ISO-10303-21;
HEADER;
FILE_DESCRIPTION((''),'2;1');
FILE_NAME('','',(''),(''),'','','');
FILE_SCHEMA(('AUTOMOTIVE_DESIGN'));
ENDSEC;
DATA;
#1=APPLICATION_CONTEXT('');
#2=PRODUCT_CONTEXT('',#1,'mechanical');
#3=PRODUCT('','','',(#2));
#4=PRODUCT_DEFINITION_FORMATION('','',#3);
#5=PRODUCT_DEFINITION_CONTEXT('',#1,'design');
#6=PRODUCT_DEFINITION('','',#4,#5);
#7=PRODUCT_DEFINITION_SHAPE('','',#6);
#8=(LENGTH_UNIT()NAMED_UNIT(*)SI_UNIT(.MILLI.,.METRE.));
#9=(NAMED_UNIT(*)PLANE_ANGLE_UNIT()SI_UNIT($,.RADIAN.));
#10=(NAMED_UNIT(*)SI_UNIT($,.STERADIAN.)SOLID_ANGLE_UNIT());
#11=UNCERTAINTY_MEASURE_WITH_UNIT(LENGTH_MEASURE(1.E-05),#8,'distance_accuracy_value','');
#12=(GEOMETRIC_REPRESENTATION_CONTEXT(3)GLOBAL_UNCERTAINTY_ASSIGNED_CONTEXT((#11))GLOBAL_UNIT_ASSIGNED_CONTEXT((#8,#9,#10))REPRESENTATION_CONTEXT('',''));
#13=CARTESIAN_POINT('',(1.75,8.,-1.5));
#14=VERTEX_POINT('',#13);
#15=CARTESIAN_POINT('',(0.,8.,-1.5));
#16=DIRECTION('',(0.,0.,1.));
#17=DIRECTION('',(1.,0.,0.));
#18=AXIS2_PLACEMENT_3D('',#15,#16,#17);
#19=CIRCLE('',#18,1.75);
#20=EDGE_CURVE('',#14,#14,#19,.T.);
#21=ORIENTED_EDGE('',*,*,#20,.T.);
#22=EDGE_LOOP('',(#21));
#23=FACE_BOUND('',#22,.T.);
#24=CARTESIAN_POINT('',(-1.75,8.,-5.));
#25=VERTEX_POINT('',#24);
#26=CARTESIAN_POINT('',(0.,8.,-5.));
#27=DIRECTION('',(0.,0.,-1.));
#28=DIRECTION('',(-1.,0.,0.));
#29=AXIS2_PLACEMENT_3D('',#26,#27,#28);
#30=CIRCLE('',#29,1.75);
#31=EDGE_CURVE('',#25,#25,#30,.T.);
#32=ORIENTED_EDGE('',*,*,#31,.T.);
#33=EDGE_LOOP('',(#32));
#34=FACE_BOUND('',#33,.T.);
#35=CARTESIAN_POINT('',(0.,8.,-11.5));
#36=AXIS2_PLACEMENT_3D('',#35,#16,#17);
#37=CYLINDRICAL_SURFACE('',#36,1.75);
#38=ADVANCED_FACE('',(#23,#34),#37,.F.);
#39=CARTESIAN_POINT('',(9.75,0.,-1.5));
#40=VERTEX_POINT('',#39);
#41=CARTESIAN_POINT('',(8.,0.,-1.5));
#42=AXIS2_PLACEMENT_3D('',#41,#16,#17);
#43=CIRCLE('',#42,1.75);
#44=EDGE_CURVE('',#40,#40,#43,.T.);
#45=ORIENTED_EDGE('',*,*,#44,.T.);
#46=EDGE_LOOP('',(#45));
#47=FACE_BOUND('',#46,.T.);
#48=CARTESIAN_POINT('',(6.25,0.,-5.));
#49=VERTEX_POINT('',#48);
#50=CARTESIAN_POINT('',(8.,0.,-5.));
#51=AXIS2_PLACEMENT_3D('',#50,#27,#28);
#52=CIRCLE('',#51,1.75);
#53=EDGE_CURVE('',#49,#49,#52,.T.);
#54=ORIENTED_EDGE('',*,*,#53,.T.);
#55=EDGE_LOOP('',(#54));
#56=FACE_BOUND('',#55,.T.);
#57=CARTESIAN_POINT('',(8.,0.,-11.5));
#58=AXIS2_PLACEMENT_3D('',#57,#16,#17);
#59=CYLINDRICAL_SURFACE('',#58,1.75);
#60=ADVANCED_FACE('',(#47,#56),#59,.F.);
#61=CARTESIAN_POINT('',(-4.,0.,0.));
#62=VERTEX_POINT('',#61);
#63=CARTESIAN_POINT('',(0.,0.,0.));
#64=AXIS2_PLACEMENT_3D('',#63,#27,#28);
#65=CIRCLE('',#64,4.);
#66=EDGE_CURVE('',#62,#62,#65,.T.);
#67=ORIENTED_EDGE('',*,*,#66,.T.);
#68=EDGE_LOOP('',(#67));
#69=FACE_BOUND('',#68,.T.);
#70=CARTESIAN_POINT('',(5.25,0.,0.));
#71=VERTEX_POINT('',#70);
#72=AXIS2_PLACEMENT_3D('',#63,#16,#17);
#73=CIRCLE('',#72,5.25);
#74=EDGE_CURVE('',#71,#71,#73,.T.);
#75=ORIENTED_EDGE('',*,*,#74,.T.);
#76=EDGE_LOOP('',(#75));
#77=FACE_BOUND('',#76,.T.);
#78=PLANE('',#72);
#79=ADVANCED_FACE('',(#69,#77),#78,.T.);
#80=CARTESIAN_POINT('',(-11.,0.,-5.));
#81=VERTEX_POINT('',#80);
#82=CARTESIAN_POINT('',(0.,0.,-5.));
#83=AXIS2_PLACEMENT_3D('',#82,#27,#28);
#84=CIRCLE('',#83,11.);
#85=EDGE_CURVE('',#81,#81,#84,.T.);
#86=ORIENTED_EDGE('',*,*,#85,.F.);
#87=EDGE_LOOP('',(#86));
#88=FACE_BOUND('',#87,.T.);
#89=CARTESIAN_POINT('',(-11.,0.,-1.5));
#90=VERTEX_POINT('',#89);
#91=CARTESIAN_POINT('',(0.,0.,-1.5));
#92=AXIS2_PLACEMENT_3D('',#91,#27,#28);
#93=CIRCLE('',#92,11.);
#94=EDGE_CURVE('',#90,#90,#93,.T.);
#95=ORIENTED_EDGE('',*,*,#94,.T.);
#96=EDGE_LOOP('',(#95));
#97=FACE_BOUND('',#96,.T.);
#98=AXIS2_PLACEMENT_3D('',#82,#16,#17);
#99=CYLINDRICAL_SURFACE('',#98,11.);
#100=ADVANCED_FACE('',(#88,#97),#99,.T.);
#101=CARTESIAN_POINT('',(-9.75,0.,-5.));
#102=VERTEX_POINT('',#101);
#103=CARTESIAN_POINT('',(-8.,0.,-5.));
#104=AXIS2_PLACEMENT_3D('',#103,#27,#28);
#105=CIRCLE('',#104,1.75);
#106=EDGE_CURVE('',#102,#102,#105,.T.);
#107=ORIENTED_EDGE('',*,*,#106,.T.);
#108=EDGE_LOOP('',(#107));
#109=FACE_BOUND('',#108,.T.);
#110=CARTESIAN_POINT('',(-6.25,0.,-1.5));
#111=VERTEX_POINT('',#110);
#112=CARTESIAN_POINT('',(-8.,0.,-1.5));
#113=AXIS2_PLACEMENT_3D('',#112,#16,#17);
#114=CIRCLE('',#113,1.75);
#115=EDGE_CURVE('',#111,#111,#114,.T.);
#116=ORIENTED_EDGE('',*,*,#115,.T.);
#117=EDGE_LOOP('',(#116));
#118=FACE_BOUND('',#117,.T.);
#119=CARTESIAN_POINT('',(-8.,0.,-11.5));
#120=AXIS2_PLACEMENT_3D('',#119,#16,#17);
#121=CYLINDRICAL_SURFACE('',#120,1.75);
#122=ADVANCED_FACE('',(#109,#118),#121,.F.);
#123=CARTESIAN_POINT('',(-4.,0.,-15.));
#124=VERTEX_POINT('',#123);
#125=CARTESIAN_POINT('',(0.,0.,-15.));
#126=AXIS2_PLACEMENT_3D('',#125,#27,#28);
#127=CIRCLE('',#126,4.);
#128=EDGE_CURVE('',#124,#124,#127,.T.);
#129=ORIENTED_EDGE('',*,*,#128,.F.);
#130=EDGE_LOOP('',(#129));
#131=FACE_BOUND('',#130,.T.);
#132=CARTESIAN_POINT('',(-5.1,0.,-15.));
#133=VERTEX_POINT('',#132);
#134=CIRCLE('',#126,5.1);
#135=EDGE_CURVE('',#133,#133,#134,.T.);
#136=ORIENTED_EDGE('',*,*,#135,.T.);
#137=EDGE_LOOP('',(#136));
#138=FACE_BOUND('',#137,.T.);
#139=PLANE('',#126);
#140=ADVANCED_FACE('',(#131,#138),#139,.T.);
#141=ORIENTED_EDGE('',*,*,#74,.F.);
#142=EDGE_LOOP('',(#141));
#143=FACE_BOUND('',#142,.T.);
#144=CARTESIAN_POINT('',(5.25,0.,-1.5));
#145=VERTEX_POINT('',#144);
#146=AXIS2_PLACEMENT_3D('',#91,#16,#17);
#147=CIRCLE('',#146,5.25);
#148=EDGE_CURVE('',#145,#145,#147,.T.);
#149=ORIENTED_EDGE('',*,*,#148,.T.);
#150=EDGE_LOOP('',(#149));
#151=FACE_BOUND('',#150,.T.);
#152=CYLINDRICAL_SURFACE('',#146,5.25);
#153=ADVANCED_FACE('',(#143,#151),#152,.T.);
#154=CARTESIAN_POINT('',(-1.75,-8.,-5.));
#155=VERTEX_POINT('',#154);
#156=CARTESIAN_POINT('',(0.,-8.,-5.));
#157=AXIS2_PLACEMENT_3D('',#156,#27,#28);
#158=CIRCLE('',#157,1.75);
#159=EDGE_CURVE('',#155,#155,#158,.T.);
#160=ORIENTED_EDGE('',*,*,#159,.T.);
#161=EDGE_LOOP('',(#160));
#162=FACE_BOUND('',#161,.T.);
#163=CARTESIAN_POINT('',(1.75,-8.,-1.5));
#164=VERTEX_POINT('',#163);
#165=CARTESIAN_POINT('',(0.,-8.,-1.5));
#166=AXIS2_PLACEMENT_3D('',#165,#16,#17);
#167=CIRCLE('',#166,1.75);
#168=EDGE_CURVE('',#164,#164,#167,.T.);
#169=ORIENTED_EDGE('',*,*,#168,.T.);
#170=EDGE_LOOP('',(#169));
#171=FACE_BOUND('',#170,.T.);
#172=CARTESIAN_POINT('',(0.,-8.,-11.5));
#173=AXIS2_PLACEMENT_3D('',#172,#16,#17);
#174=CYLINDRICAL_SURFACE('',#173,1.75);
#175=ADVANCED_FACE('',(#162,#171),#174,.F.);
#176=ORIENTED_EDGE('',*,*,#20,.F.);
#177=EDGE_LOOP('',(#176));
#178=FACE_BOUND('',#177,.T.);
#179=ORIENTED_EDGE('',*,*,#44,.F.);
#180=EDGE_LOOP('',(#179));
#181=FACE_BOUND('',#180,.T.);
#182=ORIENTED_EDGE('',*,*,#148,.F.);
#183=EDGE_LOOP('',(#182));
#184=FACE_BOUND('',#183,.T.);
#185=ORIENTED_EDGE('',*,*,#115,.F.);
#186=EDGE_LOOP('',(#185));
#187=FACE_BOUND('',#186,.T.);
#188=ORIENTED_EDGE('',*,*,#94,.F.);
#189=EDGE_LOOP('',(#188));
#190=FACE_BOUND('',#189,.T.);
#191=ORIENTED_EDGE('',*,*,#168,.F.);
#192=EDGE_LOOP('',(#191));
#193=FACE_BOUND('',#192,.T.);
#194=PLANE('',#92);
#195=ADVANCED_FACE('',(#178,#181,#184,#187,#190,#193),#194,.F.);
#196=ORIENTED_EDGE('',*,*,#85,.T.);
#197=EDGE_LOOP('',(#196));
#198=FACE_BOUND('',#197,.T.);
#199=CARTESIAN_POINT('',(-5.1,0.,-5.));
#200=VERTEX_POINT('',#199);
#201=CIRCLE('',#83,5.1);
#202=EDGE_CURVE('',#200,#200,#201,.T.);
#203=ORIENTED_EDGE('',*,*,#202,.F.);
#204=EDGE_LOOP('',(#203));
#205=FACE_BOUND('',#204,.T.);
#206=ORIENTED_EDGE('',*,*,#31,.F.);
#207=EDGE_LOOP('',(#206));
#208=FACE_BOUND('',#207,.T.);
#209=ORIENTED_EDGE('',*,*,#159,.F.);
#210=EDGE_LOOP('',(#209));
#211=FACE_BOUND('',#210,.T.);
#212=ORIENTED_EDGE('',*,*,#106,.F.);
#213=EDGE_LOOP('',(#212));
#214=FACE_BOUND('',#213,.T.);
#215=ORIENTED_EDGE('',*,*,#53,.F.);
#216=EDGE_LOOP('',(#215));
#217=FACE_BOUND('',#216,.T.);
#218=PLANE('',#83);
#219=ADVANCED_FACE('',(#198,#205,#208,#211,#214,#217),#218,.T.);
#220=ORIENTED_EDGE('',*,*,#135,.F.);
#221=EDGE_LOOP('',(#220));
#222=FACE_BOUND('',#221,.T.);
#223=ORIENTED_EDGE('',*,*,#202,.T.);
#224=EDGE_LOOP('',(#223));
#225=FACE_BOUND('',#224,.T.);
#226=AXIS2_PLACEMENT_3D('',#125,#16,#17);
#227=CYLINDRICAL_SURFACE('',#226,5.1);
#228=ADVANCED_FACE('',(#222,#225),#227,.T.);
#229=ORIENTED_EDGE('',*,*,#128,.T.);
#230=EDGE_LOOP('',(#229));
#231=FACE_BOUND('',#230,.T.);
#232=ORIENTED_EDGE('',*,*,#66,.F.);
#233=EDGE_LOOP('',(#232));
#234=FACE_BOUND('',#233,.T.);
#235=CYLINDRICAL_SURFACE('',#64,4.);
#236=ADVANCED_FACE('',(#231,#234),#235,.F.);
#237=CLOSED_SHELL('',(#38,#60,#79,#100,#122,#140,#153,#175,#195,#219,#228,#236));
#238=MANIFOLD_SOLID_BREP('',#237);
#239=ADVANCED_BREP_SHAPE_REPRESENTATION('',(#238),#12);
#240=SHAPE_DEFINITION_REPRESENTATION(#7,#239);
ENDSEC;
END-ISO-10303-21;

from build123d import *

# Parameters (mm, degrees)
SKETCH1_R           = 5.25
BOSS_EXTRUDE1_DEPTH = 1.5
SKETCH2_R           = 11
BOSS_EXTRUDE2_DEPTH = 3.5
SKETCH3_R           = 5.1
BOSS_EXTRUDE3_DEPTH = 10
SKETCH4_R           = 4
CUT_EXTRUDE1_DEPTH  = 22.610182785
SKETCH5_R           = 1.75
CUT_EXTRUDE2_DEPTH  = 10


with BuildPart() as part:
    # Sketch1 → Boss-Extrude1 (new body)
    with BuildSketch(Plane.XY):
        Circle(SKETCH1_R)
    extrude(amount=-BOSS_EXTRUDE1_DEPTH)

    # Sketch2 → Boss-Extrude2 (add)
    with BuildSketch(Plane(origin=(0, 0, -1.5), x_dir=(-1, 0, 0), z_dir=(0, 0, -1))):
        Circle(SKETCH2_R)
    extrude(amount=BOSS_EXTRUDE2_DEPTH)

    # Sketch3 → Boss-Extrude3 (add)
    with BuildSketch(Plane(origin=(0, 0, -5), x_dir=(-1, 0, 0), z_dir=(0, 0, -1))):
        Circle(SKETCH3_R)
    extrude(amount=BOSS_EXTRUDE3_DEPTH)

    # Sketch4 → Cut-Extrude1 (cut, through all)
    with BuildSketch(Plane(origin=(0, 0, -15), x_dir=(-1, 0, 0), z_dir=(0, 0, -1))):
        Circle(SKETCH4_R)
    extrude(amount=-CUT_EXTRUDE1_DEPTH, mode=Mode.SUBTRACT)

    # Sketch5 → Cut-Extrude2 (cut)
    with BuildSketch(Plane.XY.offset(-1.5)):
        with Locations((-8, 0)):
            Circle(SKETCH5_R)
        with Locations((0, 8)):
            Circle(SKETCH5_R)
        with Locations((8, 0)):
            Circle(SKETCH5_R)
        with Locations((0, -8)):
            Circle(SKETCH5_R)
    extrude(amount=-CUT_EXTRUDE2_DEPTH, mode=Mode.SUBTRACT)


solid = part.part
